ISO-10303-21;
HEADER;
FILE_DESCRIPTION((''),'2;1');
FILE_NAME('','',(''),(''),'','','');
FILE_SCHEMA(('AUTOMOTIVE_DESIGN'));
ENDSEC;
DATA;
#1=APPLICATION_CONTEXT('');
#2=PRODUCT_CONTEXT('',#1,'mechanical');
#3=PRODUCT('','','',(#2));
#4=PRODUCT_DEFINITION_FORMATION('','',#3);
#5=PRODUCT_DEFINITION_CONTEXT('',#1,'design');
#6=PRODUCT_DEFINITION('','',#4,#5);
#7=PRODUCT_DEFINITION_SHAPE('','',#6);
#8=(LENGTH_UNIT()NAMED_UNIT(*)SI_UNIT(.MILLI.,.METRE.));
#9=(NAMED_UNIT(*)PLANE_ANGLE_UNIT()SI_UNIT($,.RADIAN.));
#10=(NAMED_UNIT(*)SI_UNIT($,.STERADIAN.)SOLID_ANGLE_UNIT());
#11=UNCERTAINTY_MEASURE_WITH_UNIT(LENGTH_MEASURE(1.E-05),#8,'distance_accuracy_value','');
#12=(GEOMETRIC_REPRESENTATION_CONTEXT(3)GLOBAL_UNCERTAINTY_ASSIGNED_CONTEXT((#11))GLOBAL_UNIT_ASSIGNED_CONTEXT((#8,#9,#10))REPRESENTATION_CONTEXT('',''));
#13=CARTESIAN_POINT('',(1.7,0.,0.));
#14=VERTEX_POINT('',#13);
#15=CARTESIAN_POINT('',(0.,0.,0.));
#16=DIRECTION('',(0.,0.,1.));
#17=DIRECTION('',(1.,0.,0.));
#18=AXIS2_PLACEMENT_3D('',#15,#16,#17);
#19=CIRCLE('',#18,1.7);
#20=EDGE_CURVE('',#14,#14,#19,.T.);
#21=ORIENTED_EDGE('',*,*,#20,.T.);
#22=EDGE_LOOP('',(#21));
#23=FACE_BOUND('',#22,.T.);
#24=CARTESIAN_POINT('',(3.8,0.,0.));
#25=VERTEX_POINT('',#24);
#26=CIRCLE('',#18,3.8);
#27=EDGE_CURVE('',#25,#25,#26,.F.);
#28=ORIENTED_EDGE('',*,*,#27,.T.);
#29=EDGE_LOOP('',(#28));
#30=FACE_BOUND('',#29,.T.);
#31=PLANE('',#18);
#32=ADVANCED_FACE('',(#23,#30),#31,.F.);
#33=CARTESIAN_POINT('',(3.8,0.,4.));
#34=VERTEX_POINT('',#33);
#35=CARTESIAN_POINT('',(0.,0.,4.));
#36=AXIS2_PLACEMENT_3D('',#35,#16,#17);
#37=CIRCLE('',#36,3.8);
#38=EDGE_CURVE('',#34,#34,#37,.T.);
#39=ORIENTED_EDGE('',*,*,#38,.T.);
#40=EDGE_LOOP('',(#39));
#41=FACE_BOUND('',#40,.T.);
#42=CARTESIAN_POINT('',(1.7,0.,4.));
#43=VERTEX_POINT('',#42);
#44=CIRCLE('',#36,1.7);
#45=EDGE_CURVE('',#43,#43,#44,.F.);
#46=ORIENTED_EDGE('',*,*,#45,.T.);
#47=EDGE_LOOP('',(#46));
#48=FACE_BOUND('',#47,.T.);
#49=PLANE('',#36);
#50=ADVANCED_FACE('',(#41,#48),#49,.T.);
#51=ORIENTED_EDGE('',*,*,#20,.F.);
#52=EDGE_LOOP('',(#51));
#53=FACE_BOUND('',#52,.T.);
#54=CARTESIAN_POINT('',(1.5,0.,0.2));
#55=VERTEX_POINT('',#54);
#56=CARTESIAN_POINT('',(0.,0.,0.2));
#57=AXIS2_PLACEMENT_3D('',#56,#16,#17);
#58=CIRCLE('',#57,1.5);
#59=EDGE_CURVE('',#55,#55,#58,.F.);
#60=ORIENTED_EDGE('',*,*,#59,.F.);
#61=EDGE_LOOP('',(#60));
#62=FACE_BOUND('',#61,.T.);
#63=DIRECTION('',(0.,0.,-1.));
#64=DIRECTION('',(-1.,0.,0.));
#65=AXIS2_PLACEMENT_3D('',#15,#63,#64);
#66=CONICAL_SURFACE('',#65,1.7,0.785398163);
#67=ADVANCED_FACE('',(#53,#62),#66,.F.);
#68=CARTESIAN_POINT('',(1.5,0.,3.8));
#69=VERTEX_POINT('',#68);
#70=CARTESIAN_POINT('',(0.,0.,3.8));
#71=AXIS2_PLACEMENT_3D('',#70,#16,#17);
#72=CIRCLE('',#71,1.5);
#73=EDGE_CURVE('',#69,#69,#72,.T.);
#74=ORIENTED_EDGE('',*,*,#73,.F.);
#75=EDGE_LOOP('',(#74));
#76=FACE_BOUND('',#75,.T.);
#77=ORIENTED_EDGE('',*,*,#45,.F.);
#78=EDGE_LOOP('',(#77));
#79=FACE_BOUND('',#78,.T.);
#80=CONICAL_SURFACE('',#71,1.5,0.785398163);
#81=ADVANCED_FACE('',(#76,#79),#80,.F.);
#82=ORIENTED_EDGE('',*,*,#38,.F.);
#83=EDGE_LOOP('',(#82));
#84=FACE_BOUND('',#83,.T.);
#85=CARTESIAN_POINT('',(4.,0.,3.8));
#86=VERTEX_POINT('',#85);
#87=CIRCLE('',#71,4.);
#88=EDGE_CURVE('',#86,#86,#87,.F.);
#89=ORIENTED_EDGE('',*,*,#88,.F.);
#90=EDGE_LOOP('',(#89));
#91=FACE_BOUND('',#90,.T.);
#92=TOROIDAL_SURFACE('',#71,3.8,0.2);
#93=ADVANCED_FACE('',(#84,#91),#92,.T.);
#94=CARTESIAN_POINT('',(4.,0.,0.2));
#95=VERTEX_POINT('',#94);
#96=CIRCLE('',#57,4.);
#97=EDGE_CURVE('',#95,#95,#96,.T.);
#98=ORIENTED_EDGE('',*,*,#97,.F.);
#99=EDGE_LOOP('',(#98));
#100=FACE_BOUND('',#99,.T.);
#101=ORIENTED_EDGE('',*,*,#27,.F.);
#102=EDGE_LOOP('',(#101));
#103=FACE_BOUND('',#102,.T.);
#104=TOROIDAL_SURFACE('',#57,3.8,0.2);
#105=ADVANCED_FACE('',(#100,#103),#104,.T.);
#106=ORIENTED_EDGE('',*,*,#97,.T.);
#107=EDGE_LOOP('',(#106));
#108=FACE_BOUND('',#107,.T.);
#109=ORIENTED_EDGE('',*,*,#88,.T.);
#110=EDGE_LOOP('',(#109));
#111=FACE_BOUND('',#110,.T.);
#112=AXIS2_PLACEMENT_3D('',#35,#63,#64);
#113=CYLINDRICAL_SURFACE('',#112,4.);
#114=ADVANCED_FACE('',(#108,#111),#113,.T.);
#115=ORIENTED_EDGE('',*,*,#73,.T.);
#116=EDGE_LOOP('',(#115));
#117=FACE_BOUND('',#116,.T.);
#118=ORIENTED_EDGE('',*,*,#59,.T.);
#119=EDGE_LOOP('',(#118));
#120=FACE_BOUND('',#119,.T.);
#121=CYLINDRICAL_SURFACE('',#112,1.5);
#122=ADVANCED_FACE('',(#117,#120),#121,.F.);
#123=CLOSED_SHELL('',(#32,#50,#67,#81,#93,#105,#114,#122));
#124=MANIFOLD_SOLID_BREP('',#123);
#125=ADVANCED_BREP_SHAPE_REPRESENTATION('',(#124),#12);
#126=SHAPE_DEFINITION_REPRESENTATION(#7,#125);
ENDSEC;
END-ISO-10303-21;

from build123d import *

# Parameters (mm, degrees)
SKIZZE1_R                       = 4
SKIZZE1_R_2                     = 1.5
AUFSATZ_LINEAR_AUSTRAGEN1_DEPTH = 4
FASE1_SIZE                      = 0.2
VERRUNDUNG1_R                   = 0.2


with BuildPart() as part:
    # Skizze1 → Aufsatz-Linear austragen1 (new body)
    with BuildSketch(Plane.XY):
        Circle(SKIZZE1_R)
        Circle(SKIZZE1_R_2, mode=Mode.SUBTRACT)
    extrude(amount=AUFSATZ_LINEAR_AUSTRAGEN1_DEPTH)

    # Fase1
    fase1_edges = [part.edges().sort_by_distance(p)[0] for p in [
        (-1.5, 0, 0),
        (-1.5, 0, 4),
    ]]
    chamfer(fase1_edges, length=FASE1_SIZE)

    # Verrundung1
    verrundung1_edges = [part.edges().sort_by_distance(p)[0] for p in [
        (-4, 0, 0),
        (-4, 0, 4),
    ]]
    fillet(verrundung1_edges, radius=VERRUNDUNG1_R)


solid = part.part
